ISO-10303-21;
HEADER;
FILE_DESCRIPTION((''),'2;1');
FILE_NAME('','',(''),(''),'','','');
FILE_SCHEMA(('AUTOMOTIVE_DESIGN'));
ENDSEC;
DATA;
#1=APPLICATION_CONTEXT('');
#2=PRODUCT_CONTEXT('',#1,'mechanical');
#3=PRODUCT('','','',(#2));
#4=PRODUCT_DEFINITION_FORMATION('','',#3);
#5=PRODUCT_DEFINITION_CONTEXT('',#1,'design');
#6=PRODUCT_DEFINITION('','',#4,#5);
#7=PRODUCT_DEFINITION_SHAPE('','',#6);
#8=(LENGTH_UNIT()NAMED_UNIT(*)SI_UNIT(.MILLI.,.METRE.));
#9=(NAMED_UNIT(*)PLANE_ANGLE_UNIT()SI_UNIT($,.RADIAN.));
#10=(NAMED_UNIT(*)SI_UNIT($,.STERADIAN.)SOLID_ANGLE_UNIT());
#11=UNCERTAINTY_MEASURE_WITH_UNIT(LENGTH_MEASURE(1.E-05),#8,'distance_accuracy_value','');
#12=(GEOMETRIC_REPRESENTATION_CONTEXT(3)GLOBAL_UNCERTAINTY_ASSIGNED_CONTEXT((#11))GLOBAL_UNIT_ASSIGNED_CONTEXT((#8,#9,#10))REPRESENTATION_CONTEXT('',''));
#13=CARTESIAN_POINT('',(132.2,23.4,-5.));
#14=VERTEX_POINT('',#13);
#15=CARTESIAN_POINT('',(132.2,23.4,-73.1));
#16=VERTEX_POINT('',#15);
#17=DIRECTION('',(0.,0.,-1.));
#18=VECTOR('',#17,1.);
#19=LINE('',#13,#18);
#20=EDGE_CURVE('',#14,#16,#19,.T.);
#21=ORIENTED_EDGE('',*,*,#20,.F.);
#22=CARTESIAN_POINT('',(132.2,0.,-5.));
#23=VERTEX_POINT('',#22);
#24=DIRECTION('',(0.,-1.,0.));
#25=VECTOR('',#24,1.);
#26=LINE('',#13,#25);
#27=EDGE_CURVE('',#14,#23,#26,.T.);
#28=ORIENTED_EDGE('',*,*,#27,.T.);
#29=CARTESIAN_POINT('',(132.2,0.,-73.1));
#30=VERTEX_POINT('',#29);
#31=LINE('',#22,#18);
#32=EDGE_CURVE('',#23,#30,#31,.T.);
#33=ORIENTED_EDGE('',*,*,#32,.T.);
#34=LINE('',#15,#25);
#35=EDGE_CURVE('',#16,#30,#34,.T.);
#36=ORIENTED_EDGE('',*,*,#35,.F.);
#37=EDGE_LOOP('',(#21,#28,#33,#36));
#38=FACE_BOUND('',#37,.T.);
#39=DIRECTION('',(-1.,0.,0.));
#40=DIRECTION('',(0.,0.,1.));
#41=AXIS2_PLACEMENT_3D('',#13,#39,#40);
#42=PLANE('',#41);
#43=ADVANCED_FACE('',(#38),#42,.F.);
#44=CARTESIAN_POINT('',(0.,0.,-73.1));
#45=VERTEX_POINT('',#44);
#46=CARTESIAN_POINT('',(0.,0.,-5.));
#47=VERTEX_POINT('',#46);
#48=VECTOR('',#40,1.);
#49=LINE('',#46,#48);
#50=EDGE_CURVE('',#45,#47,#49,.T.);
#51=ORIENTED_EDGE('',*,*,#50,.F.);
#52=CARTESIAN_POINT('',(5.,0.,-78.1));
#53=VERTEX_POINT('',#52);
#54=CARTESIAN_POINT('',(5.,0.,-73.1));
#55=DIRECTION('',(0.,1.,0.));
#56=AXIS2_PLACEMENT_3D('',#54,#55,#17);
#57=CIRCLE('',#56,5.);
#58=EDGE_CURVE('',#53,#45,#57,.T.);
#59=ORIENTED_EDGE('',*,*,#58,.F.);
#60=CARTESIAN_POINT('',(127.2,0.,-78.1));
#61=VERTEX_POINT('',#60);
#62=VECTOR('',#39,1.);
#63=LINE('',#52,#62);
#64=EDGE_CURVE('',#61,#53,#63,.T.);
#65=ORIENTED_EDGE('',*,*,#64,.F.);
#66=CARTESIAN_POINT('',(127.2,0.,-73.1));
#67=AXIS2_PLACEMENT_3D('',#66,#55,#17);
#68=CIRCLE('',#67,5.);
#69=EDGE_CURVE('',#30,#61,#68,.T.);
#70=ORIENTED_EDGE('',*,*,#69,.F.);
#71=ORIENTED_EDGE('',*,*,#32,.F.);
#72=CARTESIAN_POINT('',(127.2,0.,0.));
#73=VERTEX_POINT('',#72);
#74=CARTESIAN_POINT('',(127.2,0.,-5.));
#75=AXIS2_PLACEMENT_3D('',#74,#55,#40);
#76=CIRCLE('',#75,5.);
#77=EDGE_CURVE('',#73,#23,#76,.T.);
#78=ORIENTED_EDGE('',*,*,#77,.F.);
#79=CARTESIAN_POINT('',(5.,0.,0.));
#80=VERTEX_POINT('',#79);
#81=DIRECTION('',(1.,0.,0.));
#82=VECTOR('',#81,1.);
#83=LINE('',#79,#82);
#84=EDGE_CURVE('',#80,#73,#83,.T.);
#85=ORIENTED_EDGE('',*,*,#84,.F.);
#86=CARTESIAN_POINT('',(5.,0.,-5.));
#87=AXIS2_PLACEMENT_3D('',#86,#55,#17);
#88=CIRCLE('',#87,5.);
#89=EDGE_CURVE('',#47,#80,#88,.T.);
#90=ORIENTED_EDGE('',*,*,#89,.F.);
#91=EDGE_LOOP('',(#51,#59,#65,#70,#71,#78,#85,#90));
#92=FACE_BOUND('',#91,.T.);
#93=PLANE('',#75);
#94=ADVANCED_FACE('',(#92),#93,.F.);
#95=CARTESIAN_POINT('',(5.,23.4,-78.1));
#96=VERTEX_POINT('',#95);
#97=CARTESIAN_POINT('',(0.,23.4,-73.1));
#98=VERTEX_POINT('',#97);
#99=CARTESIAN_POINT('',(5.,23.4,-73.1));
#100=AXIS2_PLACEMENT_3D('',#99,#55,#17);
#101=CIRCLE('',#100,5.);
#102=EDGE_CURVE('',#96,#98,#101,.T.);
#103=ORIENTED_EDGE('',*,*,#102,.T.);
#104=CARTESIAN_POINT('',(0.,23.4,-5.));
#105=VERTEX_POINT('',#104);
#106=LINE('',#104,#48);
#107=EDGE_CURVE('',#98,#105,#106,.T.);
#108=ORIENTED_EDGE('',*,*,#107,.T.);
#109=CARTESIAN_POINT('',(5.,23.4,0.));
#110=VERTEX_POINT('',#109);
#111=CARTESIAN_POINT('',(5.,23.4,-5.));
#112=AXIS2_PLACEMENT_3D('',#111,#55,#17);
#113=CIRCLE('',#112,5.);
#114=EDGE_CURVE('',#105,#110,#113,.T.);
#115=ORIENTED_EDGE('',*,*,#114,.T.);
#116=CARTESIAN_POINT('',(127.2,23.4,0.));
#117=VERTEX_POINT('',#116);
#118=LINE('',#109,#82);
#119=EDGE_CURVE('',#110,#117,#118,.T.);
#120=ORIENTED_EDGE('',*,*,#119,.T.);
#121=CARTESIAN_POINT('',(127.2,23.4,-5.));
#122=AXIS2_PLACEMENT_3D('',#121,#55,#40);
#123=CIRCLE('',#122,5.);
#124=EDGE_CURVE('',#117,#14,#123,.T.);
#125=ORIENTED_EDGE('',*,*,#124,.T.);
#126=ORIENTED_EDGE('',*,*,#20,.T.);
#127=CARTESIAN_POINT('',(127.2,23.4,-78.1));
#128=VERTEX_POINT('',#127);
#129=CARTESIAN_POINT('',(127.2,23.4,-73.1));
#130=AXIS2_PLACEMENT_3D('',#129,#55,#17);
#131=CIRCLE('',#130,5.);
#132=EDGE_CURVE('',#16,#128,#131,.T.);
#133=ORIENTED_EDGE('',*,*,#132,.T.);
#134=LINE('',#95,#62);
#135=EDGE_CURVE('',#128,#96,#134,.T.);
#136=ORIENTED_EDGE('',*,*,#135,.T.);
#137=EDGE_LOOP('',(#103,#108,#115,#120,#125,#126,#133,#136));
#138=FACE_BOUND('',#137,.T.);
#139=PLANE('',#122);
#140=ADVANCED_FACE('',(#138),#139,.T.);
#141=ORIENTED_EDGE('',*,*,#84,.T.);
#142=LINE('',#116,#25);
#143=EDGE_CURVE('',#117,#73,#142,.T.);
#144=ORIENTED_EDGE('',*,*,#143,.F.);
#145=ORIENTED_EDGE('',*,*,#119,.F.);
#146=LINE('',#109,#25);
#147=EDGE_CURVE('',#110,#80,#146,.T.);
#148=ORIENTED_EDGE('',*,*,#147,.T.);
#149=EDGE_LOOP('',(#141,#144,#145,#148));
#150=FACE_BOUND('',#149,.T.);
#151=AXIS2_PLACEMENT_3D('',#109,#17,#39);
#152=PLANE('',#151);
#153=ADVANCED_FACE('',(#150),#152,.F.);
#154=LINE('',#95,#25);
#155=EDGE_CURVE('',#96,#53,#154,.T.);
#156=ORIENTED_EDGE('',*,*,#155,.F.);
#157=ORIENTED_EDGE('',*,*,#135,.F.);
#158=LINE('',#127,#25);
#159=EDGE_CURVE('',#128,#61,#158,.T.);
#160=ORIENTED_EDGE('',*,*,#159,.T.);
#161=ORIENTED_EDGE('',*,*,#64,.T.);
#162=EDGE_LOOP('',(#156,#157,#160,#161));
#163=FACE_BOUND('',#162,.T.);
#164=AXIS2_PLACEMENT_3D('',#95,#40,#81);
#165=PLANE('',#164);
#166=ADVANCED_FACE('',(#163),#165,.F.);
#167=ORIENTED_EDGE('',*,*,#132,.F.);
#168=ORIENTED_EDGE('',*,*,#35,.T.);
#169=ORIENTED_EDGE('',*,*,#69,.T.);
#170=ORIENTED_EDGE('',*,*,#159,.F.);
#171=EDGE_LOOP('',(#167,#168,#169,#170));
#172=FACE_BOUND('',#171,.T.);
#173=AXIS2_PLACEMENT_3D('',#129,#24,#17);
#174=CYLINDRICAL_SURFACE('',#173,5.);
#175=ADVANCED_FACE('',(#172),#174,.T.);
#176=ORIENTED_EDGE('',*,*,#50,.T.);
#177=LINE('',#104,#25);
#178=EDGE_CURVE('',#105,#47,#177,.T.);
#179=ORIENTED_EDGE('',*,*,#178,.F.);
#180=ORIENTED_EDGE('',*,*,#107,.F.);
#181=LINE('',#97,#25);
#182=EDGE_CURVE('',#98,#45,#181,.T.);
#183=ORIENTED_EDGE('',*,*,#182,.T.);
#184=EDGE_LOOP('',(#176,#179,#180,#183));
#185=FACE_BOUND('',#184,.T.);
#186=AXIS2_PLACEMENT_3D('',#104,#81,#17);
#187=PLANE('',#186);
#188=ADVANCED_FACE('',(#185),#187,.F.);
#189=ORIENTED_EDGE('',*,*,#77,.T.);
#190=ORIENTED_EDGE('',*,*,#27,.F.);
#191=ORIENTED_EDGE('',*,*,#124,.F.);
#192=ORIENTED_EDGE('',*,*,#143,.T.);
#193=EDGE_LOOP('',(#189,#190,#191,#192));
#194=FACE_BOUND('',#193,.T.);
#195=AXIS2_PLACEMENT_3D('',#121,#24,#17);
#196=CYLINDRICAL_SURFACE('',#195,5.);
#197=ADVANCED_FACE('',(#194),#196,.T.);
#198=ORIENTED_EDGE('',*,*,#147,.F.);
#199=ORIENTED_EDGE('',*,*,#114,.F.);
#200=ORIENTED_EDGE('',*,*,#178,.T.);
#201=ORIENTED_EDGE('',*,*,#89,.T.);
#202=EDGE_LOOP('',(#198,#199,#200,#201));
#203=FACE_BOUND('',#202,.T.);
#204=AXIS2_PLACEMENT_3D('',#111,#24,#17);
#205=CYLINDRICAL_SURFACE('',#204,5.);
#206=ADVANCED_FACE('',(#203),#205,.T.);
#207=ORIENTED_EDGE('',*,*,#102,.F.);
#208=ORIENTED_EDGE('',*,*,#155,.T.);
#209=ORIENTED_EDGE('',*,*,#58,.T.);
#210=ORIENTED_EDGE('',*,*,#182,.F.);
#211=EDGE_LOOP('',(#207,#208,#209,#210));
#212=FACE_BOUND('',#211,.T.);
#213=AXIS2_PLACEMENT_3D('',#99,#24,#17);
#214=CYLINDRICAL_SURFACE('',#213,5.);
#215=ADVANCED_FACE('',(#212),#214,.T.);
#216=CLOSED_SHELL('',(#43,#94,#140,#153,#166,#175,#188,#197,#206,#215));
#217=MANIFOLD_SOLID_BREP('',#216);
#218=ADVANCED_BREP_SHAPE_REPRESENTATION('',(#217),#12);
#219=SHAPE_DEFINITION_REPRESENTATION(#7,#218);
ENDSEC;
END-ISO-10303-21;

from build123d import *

# Parameters (mm, degrees)
BOSS_EXTRUDE1_DEPTH = 23.4


with BuildPart() as part:
    # Sketch1 → Boss-Extrude1 (new body)
    with BuildSketch(Plane(origin=(0, 0, 0), x_dir=(1, 0, 0), z_dir=(0, 1, 0))):
        with BuildLine():
            Line((5, 0), (127.2, 0))
            ThreePointArc((127.2, 0), (130.735533906, 1.464466094), (132.2, 5))
            Line((132.2, 5), (132.2, 73.1))
            ThreePointArc((132.2, 73.1), (130.735533906, 76.635533906), (127.2, 78.1))
            Line((127.2, 78.1), (5, 78.1))
            ThreePointArc((5, 78.1), (1.464466094, 76.635533906), (0, 73.1))
            Line((0, 73.1), (0, 5))
            ThreePointArc((0, 5), (1.464466094, 1.464466094), (5, 0))
        make_face()
    extrude(amount=BOSS_EXTRUDE1_DEPTH)


solid = part.part
